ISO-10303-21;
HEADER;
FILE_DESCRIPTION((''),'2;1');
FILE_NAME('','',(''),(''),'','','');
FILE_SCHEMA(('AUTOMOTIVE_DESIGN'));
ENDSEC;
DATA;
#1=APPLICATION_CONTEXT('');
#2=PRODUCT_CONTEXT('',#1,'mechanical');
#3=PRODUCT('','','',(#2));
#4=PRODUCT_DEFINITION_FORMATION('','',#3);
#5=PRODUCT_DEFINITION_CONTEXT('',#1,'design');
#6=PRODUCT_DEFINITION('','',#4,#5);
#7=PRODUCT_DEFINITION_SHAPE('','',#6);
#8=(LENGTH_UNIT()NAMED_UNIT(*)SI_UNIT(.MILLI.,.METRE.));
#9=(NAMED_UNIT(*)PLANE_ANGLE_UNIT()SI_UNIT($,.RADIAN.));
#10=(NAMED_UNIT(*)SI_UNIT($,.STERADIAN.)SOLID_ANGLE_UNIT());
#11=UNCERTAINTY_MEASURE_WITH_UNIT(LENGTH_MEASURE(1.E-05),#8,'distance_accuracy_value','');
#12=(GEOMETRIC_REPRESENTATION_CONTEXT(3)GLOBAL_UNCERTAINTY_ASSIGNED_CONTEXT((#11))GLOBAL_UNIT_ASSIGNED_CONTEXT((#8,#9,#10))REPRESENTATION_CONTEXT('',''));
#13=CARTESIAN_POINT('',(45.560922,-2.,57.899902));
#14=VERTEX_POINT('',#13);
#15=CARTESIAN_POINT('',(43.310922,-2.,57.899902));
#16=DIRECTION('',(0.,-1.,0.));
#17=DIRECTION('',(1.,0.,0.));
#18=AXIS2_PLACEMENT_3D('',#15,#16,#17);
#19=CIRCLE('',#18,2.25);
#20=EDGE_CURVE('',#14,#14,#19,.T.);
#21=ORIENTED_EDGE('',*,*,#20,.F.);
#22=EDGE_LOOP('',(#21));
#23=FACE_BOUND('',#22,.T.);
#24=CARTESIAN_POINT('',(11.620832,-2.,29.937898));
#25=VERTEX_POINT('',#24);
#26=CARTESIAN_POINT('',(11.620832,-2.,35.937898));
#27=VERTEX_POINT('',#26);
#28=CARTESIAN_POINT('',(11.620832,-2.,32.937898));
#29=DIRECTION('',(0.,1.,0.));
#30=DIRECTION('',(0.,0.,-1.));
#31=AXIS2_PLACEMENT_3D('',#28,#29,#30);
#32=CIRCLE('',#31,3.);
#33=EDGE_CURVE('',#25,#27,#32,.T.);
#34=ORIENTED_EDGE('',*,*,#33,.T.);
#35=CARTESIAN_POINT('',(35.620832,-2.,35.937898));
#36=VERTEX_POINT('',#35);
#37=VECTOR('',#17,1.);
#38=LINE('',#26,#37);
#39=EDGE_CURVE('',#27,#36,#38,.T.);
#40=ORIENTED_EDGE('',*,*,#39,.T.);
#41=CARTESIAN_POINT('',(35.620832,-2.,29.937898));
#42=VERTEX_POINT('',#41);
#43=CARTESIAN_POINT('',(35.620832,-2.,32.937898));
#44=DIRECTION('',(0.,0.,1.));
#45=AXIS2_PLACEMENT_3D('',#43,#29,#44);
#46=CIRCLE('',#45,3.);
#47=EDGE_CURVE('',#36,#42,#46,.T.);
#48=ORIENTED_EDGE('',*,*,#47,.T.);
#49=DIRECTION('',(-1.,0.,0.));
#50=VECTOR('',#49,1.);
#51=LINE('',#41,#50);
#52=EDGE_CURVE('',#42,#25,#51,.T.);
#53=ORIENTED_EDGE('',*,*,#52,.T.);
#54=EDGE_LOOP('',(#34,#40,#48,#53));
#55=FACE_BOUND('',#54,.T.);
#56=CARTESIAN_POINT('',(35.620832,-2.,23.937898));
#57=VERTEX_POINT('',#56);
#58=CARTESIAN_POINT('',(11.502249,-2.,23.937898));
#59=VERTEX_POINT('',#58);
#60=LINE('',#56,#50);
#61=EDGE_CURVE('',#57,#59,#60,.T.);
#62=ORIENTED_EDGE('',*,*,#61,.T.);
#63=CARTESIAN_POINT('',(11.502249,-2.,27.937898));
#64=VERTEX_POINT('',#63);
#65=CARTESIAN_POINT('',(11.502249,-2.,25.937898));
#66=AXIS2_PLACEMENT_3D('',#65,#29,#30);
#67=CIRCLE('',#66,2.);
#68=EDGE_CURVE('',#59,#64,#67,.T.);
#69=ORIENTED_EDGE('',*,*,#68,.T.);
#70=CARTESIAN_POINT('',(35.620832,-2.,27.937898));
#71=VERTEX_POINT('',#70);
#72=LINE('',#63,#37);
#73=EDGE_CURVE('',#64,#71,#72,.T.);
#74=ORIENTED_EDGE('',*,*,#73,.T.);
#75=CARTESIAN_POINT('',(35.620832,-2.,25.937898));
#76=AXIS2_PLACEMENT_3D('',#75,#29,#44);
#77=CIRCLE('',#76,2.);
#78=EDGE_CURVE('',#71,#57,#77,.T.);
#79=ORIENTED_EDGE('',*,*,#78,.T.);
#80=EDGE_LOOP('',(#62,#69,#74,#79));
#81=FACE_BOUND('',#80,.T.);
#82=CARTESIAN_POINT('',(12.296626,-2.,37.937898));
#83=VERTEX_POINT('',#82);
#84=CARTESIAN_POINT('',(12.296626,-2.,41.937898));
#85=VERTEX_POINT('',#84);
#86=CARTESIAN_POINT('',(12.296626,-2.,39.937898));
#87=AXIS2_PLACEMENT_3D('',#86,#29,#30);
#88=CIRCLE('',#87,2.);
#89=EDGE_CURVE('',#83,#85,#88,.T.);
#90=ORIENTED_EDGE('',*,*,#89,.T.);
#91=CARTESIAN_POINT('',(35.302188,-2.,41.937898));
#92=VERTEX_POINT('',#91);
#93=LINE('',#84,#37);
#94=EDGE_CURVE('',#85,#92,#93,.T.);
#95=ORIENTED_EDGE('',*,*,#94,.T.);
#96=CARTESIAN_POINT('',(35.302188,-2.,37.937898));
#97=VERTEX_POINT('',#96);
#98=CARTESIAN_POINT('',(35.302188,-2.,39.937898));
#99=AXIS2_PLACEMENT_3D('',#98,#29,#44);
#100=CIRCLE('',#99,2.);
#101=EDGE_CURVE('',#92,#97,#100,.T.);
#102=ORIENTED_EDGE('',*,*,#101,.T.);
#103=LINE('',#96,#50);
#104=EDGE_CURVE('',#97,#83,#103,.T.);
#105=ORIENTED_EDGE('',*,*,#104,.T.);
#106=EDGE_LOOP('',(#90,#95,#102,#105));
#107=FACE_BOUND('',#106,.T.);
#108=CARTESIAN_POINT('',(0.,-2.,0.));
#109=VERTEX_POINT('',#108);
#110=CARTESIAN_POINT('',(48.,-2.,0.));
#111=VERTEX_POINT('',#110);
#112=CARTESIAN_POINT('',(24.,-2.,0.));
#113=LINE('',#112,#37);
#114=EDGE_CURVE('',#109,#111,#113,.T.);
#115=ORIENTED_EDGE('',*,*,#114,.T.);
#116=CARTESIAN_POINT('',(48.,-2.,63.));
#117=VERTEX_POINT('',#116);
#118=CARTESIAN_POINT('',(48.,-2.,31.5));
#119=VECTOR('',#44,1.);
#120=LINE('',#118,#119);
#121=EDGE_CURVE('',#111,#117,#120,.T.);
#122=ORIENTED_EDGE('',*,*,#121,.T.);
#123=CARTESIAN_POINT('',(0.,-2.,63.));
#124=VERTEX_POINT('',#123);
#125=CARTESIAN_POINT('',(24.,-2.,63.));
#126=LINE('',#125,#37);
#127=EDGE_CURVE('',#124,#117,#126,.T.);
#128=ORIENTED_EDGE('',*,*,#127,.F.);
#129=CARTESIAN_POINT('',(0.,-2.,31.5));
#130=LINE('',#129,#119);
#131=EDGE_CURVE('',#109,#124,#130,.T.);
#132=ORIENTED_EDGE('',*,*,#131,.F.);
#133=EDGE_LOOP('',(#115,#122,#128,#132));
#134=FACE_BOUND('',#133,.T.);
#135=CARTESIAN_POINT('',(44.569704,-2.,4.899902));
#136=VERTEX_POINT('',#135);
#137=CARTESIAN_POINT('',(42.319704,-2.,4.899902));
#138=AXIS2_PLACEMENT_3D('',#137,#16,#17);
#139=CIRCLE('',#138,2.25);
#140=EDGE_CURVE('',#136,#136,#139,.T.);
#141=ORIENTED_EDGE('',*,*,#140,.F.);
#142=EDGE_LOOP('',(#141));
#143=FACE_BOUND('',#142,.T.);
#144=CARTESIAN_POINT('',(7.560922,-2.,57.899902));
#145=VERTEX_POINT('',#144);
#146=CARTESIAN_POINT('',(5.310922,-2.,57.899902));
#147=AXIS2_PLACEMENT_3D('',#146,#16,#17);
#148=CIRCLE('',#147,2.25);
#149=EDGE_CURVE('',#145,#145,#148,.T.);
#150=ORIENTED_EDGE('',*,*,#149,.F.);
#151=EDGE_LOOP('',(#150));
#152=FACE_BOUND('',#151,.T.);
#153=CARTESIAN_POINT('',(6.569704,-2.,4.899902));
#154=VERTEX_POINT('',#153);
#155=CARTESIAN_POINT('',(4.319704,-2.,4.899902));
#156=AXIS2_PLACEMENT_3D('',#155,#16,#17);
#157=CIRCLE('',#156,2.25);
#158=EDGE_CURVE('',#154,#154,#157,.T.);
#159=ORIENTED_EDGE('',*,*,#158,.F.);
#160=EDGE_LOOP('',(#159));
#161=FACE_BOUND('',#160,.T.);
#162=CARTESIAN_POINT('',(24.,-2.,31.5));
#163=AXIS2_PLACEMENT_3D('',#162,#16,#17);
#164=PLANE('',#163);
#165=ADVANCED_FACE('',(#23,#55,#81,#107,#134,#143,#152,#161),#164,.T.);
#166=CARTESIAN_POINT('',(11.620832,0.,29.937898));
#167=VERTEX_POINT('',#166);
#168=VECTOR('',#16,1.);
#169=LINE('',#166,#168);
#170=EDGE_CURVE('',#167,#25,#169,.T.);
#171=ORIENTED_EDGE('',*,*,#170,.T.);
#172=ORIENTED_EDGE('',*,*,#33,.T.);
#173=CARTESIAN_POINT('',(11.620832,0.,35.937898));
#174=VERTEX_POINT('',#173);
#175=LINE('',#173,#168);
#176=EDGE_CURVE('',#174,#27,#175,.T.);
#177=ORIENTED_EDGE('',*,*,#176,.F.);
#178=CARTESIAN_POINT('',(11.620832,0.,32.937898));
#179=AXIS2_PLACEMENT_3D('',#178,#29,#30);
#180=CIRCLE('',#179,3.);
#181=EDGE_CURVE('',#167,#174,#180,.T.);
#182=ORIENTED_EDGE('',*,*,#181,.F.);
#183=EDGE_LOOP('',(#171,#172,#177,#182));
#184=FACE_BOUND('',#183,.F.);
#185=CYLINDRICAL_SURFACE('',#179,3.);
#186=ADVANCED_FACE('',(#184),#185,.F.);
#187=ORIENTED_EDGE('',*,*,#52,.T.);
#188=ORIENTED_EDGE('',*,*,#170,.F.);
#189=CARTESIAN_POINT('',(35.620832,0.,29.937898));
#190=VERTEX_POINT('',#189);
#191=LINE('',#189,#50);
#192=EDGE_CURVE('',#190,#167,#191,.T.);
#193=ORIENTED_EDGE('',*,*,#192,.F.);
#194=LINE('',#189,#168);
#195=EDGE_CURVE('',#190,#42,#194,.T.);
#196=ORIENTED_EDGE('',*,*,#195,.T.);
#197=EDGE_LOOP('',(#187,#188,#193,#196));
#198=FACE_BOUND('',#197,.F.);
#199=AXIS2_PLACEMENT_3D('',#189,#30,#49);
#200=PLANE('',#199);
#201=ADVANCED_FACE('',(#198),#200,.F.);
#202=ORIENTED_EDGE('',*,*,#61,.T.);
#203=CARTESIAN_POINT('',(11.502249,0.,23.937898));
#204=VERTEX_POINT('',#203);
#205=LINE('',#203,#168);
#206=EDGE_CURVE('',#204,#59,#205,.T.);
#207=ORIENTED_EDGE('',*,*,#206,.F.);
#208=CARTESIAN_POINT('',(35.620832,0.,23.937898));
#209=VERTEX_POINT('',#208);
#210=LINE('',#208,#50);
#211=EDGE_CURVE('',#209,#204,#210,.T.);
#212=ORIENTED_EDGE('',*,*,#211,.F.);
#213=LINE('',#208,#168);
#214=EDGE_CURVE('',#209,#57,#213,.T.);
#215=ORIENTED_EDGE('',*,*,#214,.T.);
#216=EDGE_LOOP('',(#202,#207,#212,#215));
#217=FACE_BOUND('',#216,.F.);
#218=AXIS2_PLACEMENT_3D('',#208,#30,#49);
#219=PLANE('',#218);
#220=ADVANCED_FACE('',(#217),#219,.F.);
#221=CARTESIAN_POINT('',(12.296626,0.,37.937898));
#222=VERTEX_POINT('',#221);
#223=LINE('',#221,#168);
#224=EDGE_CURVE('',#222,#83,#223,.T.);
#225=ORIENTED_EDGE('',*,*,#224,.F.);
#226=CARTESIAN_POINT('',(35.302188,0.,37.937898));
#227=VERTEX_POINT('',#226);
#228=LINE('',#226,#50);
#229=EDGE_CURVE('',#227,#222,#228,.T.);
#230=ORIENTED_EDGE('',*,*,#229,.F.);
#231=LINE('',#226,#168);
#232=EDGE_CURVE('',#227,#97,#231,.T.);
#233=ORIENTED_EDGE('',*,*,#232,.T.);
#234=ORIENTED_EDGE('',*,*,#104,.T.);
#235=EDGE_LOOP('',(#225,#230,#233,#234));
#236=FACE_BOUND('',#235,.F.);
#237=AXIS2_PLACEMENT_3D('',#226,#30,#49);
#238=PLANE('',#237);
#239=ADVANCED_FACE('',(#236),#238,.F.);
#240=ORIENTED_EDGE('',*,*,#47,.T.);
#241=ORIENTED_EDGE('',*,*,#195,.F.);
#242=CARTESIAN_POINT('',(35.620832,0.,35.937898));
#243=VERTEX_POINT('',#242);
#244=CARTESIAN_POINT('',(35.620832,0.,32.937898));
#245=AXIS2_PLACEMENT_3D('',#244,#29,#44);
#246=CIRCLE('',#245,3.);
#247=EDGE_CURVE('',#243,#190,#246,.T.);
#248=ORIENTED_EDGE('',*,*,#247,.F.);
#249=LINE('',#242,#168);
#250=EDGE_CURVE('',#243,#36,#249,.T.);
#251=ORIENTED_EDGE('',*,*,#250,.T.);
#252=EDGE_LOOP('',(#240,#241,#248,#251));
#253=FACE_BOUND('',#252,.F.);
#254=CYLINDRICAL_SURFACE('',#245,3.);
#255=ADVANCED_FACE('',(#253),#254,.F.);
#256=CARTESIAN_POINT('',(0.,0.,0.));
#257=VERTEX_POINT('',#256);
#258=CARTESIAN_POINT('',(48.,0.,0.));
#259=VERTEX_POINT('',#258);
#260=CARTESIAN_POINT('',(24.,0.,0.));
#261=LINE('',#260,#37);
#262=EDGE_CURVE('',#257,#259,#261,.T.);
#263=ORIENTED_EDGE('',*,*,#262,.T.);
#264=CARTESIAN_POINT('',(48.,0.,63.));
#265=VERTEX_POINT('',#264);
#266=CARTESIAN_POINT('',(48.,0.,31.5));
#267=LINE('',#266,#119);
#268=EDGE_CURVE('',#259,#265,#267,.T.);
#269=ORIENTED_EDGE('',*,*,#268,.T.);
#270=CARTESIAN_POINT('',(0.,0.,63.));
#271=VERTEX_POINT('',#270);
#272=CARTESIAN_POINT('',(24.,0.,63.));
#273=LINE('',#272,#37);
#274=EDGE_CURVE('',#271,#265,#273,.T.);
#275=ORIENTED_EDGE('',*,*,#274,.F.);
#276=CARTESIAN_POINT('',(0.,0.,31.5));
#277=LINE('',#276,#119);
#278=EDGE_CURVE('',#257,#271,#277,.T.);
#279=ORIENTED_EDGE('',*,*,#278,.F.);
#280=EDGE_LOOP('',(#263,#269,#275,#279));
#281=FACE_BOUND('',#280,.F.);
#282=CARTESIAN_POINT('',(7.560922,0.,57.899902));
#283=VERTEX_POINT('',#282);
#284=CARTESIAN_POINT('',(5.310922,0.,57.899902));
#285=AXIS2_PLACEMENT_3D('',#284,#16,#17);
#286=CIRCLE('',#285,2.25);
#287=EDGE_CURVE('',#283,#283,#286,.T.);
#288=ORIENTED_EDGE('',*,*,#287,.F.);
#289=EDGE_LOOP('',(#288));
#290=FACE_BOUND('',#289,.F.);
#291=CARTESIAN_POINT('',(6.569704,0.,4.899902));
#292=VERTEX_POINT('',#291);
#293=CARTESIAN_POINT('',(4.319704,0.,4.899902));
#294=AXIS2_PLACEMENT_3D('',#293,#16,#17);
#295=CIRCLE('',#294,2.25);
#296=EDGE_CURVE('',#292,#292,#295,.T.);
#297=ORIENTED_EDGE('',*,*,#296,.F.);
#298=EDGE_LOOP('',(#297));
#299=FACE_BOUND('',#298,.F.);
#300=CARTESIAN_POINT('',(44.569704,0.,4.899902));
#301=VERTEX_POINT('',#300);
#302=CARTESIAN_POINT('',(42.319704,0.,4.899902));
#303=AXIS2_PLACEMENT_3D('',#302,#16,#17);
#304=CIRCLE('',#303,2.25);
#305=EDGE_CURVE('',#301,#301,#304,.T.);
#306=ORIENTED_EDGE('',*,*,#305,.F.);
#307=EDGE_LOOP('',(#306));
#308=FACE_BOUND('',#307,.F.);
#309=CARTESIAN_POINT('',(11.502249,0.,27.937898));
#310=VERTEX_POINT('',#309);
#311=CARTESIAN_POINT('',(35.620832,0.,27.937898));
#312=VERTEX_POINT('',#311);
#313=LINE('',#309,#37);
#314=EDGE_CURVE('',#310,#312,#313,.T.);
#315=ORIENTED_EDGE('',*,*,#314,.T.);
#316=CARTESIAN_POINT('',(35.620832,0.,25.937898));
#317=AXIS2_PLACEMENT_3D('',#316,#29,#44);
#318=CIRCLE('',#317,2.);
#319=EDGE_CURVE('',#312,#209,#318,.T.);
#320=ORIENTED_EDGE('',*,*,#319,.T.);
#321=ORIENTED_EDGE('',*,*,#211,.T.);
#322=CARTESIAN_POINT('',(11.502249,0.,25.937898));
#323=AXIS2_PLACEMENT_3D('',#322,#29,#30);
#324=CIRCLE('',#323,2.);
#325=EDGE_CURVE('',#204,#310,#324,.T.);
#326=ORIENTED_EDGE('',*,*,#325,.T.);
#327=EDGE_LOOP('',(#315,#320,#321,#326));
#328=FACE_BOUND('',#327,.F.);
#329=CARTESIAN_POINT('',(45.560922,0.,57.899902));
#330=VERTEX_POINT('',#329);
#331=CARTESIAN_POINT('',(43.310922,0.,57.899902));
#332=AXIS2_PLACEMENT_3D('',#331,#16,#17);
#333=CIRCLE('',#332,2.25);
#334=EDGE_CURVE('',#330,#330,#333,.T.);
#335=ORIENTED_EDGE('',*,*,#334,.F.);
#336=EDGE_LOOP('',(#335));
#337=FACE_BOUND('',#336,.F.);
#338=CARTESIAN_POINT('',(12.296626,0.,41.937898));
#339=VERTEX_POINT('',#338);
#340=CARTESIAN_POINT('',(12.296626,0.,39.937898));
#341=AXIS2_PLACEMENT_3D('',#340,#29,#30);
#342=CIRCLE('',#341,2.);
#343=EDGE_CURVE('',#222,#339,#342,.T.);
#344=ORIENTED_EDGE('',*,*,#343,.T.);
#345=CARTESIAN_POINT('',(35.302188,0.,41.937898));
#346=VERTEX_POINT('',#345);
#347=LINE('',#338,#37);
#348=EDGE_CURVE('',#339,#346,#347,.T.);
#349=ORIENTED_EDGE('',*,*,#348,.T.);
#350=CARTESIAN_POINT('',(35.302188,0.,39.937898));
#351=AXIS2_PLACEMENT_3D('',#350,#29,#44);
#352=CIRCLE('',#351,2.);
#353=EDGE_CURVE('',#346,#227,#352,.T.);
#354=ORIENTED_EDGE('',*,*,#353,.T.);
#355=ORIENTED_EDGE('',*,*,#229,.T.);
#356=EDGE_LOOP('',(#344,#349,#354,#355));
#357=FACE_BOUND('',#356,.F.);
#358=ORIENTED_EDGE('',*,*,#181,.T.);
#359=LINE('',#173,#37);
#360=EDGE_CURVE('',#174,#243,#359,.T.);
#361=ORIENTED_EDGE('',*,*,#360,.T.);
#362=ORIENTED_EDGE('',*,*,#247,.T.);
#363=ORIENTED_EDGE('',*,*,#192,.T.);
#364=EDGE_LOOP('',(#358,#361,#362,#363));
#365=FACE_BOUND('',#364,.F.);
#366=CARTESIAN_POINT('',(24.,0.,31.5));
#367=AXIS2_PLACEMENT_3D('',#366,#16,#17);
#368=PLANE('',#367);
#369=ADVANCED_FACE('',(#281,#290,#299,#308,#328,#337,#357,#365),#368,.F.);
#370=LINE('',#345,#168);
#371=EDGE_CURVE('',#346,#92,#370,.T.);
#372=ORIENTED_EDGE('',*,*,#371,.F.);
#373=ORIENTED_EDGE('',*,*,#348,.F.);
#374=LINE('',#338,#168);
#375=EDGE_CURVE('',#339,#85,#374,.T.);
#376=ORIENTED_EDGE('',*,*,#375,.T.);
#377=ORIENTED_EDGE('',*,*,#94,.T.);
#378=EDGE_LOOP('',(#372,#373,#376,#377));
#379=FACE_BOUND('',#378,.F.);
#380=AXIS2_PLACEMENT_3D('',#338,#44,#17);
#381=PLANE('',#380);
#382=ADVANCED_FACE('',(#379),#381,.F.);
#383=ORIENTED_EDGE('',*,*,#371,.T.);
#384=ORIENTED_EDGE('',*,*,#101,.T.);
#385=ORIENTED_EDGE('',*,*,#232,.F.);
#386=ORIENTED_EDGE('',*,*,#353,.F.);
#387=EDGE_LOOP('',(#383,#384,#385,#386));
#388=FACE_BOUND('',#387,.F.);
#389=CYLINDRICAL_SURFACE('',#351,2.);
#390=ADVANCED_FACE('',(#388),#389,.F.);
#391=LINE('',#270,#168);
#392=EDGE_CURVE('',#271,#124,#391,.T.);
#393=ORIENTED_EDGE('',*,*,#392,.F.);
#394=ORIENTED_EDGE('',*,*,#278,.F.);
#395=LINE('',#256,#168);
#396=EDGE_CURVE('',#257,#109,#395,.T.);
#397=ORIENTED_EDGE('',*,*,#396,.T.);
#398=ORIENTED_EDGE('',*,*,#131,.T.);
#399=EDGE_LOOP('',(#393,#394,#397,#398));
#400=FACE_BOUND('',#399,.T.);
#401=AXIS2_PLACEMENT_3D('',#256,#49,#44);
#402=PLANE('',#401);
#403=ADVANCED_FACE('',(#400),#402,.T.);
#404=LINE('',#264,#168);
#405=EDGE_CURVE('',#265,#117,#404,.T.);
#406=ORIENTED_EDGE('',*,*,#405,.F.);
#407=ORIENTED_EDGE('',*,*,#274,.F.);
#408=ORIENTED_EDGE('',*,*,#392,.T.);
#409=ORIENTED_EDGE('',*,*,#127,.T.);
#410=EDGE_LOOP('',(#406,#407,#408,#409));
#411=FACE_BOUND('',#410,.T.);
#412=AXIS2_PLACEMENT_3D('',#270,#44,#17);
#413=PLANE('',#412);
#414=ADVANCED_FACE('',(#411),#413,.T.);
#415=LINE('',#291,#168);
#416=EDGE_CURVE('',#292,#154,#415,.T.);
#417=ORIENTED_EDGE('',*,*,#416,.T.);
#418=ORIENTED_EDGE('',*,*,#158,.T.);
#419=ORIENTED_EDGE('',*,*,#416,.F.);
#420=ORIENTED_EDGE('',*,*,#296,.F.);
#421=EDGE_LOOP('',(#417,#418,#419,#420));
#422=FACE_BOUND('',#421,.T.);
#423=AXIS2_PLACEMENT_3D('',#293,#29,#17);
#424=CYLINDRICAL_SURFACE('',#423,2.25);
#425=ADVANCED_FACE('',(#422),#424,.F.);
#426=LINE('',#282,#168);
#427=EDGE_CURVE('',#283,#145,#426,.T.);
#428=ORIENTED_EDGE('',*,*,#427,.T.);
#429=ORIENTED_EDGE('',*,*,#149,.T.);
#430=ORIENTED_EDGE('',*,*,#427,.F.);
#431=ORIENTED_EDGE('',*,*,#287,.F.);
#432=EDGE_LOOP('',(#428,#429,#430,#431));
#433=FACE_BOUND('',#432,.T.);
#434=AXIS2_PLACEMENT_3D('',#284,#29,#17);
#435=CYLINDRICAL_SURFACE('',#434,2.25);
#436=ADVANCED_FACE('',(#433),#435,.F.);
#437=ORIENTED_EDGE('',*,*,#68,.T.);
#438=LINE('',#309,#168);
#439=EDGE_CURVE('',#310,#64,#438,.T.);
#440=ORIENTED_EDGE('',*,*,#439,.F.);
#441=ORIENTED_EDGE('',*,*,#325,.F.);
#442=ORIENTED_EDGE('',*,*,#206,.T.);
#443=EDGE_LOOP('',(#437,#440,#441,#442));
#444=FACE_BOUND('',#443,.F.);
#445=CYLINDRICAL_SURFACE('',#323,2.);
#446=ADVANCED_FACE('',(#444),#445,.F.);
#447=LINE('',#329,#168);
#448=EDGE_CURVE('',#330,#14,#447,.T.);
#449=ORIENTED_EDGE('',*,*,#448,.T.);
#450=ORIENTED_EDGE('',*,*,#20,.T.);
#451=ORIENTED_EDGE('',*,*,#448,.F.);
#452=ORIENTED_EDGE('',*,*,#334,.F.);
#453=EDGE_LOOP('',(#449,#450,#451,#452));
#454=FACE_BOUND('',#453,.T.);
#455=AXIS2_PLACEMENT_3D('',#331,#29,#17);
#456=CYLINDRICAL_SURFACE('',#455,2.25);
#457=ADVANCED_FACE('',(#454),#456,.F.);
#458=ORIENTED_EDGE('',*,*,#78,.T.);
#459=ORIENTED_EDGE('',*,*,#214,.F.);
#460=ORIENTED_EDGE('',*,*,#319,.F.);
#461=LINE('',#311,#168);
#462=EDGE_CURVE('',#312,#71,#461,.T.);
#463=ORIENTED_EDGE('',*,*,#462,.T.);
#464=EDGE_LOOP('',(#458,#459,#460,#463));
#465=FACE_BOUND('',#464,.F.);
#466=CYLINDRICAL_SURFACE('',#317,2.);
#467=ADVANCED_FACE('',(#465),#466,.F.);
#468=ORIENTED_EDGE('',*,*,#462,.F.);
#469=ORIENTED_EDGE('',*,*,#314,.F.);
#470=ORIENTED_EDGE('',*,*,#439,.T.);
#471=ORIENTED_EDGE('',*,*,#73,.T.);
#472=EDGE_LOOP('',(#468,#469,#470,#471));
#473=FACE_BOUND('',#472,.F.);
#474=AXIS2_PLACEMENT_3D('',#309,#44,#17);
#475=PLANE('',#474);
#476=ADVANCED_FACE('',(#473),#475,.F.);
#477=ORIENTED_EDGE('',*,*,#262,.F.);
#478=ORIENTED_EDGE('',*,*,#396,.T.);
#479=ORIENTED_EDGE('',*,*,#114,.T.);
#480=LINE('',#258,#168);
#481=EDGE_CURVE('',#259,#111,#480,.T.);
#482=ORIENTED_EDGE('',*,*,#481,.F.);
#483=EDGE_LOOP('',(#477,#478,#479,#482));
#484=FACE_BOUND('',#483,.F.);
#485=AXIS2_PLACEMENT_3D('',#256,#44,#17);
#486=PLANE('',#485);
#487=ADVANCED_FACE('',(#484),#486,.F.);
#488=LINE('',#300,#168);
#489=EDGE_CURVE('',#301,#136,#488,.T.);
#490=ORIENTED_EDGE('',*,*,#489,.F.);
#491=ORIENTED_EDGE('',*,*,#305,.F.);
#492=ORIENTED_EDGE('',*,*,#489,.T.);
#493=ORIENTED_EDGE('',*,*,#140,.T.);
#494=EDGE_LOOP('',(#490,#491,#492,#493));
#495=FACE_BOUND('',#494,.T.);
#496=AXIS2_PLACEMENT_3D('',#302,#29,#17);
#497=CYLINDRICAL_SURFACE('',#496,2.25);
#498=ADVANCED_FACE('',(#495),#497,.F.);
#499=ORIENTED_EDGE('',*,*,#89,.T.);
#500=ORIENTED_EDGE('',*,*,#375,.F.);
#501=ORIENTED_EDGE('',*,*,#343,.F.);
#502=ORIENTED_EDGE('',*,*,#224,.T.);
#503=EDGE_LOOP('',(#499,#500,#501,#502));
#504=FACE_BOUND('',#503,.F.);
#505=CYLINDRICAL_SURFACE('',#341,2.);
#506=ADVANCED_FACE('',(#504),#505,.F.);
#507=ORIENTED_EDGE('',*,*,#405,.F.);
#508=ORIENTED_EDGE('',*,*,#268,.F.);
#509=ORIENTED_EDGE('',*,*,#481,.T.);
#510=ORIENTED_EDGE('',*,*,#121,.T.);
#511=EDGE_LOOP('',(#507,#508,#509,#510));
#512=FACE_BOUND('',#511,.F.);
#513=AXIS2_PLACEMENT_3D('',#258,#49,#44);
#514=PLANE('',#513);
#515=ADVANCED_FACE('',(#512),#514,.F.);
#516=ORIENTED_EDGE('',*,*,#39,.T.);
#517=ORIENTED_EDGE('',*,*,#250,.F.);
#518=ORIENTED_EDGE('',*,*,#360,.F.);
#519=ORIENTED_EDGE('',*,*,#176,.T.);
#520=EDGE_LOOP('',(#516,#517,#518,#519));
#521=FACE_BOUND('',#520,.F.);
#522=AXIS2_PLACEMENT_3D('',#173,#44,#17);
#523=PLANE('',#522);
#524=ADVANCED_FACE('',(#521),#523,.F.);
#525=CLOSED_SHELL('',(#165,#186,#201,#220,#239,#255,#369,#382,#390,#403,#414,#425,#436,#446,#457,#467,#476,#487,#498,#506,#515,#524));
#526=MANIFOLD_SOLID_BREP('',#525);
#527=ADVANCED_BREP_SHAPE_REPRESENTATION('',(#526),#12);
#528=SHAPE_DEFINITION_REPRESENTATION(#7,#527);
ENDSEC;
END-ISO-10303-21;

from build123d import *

# Parameters (mm, degrees)
F0_W     = 48
F0_H     = 63
F0_R     = 2.25
F1_DEPTH = 2


with BuildPart() as f1:
    # F0 (on Front) → F1 (new body)
    with BuildSketch(Plane.XZ):
        with Locations((24, 31.5)):
            Rectangle(F0_W, F0_H)
        with Locations((4.319704, 4.899902)):
            Circle(F0_R, mode=Mode.SUBTRACT)
        with BuildLine():
            ThreePointArc((11.502249, 23.937898), (9.502249, 25.937898), (11.502249, 27.937898))
            Line((11.502249, 27.937898), (35.620832, 27.937898))
            ThreePointArc((35.620832, 27.937898), (37.620832, 25.937898), (35.620832, 23.937898))
            Line((35.620832, 23.937898), (11.502249, 23.937898))
        make_face(mode=Mode.SUBTRACT)
        with Locations((42.319704, 4.899902)):
            Circle(F0_R, mode=Mode.SUBTRACT)
        with BuildLine():
            ThreePointArc((11.620832, 29.937898), (8.620832, 32.937898), (11.620832, 35.937898))
            Line((11.620832, 35.937898), (35.620832, 35.937898))
            ThreePointArc((35.620832, 35.937898), (38.620832, 32.937898), (35.620832, 29.937898))
            Line((35.620832, 29.937898), (11.620832, 29.937898))
        make_face(mode=Mode.SUBTRACT)
        with BuildLine():
            ThreePointArc((12.296626, 37.937898), (10.296626, 39.937898), (12.296626, 41.937898))
            Line((12.296626, 41.937898), (35.302188, 41.937898))
            ThreePointArc((35.302188, 41.937898), (37.302188, 39.937898), (35.302188, 37.937898))
            Line((35.302188, 37.937898), (12.296626, 37.937898))
        make_face(mode=Mode.SUBTRACT)
        with Locations((5.310922, 57.899902)):
            Circle(F0_R, mode=Mode.SUBTRACT)
        with Locations((43.310922, 57.899902)):
            Circle(F0_R, mode=Mode.SUBTRACT)
    extrude(amount=F1_DEPTH)


solid = f1.part
